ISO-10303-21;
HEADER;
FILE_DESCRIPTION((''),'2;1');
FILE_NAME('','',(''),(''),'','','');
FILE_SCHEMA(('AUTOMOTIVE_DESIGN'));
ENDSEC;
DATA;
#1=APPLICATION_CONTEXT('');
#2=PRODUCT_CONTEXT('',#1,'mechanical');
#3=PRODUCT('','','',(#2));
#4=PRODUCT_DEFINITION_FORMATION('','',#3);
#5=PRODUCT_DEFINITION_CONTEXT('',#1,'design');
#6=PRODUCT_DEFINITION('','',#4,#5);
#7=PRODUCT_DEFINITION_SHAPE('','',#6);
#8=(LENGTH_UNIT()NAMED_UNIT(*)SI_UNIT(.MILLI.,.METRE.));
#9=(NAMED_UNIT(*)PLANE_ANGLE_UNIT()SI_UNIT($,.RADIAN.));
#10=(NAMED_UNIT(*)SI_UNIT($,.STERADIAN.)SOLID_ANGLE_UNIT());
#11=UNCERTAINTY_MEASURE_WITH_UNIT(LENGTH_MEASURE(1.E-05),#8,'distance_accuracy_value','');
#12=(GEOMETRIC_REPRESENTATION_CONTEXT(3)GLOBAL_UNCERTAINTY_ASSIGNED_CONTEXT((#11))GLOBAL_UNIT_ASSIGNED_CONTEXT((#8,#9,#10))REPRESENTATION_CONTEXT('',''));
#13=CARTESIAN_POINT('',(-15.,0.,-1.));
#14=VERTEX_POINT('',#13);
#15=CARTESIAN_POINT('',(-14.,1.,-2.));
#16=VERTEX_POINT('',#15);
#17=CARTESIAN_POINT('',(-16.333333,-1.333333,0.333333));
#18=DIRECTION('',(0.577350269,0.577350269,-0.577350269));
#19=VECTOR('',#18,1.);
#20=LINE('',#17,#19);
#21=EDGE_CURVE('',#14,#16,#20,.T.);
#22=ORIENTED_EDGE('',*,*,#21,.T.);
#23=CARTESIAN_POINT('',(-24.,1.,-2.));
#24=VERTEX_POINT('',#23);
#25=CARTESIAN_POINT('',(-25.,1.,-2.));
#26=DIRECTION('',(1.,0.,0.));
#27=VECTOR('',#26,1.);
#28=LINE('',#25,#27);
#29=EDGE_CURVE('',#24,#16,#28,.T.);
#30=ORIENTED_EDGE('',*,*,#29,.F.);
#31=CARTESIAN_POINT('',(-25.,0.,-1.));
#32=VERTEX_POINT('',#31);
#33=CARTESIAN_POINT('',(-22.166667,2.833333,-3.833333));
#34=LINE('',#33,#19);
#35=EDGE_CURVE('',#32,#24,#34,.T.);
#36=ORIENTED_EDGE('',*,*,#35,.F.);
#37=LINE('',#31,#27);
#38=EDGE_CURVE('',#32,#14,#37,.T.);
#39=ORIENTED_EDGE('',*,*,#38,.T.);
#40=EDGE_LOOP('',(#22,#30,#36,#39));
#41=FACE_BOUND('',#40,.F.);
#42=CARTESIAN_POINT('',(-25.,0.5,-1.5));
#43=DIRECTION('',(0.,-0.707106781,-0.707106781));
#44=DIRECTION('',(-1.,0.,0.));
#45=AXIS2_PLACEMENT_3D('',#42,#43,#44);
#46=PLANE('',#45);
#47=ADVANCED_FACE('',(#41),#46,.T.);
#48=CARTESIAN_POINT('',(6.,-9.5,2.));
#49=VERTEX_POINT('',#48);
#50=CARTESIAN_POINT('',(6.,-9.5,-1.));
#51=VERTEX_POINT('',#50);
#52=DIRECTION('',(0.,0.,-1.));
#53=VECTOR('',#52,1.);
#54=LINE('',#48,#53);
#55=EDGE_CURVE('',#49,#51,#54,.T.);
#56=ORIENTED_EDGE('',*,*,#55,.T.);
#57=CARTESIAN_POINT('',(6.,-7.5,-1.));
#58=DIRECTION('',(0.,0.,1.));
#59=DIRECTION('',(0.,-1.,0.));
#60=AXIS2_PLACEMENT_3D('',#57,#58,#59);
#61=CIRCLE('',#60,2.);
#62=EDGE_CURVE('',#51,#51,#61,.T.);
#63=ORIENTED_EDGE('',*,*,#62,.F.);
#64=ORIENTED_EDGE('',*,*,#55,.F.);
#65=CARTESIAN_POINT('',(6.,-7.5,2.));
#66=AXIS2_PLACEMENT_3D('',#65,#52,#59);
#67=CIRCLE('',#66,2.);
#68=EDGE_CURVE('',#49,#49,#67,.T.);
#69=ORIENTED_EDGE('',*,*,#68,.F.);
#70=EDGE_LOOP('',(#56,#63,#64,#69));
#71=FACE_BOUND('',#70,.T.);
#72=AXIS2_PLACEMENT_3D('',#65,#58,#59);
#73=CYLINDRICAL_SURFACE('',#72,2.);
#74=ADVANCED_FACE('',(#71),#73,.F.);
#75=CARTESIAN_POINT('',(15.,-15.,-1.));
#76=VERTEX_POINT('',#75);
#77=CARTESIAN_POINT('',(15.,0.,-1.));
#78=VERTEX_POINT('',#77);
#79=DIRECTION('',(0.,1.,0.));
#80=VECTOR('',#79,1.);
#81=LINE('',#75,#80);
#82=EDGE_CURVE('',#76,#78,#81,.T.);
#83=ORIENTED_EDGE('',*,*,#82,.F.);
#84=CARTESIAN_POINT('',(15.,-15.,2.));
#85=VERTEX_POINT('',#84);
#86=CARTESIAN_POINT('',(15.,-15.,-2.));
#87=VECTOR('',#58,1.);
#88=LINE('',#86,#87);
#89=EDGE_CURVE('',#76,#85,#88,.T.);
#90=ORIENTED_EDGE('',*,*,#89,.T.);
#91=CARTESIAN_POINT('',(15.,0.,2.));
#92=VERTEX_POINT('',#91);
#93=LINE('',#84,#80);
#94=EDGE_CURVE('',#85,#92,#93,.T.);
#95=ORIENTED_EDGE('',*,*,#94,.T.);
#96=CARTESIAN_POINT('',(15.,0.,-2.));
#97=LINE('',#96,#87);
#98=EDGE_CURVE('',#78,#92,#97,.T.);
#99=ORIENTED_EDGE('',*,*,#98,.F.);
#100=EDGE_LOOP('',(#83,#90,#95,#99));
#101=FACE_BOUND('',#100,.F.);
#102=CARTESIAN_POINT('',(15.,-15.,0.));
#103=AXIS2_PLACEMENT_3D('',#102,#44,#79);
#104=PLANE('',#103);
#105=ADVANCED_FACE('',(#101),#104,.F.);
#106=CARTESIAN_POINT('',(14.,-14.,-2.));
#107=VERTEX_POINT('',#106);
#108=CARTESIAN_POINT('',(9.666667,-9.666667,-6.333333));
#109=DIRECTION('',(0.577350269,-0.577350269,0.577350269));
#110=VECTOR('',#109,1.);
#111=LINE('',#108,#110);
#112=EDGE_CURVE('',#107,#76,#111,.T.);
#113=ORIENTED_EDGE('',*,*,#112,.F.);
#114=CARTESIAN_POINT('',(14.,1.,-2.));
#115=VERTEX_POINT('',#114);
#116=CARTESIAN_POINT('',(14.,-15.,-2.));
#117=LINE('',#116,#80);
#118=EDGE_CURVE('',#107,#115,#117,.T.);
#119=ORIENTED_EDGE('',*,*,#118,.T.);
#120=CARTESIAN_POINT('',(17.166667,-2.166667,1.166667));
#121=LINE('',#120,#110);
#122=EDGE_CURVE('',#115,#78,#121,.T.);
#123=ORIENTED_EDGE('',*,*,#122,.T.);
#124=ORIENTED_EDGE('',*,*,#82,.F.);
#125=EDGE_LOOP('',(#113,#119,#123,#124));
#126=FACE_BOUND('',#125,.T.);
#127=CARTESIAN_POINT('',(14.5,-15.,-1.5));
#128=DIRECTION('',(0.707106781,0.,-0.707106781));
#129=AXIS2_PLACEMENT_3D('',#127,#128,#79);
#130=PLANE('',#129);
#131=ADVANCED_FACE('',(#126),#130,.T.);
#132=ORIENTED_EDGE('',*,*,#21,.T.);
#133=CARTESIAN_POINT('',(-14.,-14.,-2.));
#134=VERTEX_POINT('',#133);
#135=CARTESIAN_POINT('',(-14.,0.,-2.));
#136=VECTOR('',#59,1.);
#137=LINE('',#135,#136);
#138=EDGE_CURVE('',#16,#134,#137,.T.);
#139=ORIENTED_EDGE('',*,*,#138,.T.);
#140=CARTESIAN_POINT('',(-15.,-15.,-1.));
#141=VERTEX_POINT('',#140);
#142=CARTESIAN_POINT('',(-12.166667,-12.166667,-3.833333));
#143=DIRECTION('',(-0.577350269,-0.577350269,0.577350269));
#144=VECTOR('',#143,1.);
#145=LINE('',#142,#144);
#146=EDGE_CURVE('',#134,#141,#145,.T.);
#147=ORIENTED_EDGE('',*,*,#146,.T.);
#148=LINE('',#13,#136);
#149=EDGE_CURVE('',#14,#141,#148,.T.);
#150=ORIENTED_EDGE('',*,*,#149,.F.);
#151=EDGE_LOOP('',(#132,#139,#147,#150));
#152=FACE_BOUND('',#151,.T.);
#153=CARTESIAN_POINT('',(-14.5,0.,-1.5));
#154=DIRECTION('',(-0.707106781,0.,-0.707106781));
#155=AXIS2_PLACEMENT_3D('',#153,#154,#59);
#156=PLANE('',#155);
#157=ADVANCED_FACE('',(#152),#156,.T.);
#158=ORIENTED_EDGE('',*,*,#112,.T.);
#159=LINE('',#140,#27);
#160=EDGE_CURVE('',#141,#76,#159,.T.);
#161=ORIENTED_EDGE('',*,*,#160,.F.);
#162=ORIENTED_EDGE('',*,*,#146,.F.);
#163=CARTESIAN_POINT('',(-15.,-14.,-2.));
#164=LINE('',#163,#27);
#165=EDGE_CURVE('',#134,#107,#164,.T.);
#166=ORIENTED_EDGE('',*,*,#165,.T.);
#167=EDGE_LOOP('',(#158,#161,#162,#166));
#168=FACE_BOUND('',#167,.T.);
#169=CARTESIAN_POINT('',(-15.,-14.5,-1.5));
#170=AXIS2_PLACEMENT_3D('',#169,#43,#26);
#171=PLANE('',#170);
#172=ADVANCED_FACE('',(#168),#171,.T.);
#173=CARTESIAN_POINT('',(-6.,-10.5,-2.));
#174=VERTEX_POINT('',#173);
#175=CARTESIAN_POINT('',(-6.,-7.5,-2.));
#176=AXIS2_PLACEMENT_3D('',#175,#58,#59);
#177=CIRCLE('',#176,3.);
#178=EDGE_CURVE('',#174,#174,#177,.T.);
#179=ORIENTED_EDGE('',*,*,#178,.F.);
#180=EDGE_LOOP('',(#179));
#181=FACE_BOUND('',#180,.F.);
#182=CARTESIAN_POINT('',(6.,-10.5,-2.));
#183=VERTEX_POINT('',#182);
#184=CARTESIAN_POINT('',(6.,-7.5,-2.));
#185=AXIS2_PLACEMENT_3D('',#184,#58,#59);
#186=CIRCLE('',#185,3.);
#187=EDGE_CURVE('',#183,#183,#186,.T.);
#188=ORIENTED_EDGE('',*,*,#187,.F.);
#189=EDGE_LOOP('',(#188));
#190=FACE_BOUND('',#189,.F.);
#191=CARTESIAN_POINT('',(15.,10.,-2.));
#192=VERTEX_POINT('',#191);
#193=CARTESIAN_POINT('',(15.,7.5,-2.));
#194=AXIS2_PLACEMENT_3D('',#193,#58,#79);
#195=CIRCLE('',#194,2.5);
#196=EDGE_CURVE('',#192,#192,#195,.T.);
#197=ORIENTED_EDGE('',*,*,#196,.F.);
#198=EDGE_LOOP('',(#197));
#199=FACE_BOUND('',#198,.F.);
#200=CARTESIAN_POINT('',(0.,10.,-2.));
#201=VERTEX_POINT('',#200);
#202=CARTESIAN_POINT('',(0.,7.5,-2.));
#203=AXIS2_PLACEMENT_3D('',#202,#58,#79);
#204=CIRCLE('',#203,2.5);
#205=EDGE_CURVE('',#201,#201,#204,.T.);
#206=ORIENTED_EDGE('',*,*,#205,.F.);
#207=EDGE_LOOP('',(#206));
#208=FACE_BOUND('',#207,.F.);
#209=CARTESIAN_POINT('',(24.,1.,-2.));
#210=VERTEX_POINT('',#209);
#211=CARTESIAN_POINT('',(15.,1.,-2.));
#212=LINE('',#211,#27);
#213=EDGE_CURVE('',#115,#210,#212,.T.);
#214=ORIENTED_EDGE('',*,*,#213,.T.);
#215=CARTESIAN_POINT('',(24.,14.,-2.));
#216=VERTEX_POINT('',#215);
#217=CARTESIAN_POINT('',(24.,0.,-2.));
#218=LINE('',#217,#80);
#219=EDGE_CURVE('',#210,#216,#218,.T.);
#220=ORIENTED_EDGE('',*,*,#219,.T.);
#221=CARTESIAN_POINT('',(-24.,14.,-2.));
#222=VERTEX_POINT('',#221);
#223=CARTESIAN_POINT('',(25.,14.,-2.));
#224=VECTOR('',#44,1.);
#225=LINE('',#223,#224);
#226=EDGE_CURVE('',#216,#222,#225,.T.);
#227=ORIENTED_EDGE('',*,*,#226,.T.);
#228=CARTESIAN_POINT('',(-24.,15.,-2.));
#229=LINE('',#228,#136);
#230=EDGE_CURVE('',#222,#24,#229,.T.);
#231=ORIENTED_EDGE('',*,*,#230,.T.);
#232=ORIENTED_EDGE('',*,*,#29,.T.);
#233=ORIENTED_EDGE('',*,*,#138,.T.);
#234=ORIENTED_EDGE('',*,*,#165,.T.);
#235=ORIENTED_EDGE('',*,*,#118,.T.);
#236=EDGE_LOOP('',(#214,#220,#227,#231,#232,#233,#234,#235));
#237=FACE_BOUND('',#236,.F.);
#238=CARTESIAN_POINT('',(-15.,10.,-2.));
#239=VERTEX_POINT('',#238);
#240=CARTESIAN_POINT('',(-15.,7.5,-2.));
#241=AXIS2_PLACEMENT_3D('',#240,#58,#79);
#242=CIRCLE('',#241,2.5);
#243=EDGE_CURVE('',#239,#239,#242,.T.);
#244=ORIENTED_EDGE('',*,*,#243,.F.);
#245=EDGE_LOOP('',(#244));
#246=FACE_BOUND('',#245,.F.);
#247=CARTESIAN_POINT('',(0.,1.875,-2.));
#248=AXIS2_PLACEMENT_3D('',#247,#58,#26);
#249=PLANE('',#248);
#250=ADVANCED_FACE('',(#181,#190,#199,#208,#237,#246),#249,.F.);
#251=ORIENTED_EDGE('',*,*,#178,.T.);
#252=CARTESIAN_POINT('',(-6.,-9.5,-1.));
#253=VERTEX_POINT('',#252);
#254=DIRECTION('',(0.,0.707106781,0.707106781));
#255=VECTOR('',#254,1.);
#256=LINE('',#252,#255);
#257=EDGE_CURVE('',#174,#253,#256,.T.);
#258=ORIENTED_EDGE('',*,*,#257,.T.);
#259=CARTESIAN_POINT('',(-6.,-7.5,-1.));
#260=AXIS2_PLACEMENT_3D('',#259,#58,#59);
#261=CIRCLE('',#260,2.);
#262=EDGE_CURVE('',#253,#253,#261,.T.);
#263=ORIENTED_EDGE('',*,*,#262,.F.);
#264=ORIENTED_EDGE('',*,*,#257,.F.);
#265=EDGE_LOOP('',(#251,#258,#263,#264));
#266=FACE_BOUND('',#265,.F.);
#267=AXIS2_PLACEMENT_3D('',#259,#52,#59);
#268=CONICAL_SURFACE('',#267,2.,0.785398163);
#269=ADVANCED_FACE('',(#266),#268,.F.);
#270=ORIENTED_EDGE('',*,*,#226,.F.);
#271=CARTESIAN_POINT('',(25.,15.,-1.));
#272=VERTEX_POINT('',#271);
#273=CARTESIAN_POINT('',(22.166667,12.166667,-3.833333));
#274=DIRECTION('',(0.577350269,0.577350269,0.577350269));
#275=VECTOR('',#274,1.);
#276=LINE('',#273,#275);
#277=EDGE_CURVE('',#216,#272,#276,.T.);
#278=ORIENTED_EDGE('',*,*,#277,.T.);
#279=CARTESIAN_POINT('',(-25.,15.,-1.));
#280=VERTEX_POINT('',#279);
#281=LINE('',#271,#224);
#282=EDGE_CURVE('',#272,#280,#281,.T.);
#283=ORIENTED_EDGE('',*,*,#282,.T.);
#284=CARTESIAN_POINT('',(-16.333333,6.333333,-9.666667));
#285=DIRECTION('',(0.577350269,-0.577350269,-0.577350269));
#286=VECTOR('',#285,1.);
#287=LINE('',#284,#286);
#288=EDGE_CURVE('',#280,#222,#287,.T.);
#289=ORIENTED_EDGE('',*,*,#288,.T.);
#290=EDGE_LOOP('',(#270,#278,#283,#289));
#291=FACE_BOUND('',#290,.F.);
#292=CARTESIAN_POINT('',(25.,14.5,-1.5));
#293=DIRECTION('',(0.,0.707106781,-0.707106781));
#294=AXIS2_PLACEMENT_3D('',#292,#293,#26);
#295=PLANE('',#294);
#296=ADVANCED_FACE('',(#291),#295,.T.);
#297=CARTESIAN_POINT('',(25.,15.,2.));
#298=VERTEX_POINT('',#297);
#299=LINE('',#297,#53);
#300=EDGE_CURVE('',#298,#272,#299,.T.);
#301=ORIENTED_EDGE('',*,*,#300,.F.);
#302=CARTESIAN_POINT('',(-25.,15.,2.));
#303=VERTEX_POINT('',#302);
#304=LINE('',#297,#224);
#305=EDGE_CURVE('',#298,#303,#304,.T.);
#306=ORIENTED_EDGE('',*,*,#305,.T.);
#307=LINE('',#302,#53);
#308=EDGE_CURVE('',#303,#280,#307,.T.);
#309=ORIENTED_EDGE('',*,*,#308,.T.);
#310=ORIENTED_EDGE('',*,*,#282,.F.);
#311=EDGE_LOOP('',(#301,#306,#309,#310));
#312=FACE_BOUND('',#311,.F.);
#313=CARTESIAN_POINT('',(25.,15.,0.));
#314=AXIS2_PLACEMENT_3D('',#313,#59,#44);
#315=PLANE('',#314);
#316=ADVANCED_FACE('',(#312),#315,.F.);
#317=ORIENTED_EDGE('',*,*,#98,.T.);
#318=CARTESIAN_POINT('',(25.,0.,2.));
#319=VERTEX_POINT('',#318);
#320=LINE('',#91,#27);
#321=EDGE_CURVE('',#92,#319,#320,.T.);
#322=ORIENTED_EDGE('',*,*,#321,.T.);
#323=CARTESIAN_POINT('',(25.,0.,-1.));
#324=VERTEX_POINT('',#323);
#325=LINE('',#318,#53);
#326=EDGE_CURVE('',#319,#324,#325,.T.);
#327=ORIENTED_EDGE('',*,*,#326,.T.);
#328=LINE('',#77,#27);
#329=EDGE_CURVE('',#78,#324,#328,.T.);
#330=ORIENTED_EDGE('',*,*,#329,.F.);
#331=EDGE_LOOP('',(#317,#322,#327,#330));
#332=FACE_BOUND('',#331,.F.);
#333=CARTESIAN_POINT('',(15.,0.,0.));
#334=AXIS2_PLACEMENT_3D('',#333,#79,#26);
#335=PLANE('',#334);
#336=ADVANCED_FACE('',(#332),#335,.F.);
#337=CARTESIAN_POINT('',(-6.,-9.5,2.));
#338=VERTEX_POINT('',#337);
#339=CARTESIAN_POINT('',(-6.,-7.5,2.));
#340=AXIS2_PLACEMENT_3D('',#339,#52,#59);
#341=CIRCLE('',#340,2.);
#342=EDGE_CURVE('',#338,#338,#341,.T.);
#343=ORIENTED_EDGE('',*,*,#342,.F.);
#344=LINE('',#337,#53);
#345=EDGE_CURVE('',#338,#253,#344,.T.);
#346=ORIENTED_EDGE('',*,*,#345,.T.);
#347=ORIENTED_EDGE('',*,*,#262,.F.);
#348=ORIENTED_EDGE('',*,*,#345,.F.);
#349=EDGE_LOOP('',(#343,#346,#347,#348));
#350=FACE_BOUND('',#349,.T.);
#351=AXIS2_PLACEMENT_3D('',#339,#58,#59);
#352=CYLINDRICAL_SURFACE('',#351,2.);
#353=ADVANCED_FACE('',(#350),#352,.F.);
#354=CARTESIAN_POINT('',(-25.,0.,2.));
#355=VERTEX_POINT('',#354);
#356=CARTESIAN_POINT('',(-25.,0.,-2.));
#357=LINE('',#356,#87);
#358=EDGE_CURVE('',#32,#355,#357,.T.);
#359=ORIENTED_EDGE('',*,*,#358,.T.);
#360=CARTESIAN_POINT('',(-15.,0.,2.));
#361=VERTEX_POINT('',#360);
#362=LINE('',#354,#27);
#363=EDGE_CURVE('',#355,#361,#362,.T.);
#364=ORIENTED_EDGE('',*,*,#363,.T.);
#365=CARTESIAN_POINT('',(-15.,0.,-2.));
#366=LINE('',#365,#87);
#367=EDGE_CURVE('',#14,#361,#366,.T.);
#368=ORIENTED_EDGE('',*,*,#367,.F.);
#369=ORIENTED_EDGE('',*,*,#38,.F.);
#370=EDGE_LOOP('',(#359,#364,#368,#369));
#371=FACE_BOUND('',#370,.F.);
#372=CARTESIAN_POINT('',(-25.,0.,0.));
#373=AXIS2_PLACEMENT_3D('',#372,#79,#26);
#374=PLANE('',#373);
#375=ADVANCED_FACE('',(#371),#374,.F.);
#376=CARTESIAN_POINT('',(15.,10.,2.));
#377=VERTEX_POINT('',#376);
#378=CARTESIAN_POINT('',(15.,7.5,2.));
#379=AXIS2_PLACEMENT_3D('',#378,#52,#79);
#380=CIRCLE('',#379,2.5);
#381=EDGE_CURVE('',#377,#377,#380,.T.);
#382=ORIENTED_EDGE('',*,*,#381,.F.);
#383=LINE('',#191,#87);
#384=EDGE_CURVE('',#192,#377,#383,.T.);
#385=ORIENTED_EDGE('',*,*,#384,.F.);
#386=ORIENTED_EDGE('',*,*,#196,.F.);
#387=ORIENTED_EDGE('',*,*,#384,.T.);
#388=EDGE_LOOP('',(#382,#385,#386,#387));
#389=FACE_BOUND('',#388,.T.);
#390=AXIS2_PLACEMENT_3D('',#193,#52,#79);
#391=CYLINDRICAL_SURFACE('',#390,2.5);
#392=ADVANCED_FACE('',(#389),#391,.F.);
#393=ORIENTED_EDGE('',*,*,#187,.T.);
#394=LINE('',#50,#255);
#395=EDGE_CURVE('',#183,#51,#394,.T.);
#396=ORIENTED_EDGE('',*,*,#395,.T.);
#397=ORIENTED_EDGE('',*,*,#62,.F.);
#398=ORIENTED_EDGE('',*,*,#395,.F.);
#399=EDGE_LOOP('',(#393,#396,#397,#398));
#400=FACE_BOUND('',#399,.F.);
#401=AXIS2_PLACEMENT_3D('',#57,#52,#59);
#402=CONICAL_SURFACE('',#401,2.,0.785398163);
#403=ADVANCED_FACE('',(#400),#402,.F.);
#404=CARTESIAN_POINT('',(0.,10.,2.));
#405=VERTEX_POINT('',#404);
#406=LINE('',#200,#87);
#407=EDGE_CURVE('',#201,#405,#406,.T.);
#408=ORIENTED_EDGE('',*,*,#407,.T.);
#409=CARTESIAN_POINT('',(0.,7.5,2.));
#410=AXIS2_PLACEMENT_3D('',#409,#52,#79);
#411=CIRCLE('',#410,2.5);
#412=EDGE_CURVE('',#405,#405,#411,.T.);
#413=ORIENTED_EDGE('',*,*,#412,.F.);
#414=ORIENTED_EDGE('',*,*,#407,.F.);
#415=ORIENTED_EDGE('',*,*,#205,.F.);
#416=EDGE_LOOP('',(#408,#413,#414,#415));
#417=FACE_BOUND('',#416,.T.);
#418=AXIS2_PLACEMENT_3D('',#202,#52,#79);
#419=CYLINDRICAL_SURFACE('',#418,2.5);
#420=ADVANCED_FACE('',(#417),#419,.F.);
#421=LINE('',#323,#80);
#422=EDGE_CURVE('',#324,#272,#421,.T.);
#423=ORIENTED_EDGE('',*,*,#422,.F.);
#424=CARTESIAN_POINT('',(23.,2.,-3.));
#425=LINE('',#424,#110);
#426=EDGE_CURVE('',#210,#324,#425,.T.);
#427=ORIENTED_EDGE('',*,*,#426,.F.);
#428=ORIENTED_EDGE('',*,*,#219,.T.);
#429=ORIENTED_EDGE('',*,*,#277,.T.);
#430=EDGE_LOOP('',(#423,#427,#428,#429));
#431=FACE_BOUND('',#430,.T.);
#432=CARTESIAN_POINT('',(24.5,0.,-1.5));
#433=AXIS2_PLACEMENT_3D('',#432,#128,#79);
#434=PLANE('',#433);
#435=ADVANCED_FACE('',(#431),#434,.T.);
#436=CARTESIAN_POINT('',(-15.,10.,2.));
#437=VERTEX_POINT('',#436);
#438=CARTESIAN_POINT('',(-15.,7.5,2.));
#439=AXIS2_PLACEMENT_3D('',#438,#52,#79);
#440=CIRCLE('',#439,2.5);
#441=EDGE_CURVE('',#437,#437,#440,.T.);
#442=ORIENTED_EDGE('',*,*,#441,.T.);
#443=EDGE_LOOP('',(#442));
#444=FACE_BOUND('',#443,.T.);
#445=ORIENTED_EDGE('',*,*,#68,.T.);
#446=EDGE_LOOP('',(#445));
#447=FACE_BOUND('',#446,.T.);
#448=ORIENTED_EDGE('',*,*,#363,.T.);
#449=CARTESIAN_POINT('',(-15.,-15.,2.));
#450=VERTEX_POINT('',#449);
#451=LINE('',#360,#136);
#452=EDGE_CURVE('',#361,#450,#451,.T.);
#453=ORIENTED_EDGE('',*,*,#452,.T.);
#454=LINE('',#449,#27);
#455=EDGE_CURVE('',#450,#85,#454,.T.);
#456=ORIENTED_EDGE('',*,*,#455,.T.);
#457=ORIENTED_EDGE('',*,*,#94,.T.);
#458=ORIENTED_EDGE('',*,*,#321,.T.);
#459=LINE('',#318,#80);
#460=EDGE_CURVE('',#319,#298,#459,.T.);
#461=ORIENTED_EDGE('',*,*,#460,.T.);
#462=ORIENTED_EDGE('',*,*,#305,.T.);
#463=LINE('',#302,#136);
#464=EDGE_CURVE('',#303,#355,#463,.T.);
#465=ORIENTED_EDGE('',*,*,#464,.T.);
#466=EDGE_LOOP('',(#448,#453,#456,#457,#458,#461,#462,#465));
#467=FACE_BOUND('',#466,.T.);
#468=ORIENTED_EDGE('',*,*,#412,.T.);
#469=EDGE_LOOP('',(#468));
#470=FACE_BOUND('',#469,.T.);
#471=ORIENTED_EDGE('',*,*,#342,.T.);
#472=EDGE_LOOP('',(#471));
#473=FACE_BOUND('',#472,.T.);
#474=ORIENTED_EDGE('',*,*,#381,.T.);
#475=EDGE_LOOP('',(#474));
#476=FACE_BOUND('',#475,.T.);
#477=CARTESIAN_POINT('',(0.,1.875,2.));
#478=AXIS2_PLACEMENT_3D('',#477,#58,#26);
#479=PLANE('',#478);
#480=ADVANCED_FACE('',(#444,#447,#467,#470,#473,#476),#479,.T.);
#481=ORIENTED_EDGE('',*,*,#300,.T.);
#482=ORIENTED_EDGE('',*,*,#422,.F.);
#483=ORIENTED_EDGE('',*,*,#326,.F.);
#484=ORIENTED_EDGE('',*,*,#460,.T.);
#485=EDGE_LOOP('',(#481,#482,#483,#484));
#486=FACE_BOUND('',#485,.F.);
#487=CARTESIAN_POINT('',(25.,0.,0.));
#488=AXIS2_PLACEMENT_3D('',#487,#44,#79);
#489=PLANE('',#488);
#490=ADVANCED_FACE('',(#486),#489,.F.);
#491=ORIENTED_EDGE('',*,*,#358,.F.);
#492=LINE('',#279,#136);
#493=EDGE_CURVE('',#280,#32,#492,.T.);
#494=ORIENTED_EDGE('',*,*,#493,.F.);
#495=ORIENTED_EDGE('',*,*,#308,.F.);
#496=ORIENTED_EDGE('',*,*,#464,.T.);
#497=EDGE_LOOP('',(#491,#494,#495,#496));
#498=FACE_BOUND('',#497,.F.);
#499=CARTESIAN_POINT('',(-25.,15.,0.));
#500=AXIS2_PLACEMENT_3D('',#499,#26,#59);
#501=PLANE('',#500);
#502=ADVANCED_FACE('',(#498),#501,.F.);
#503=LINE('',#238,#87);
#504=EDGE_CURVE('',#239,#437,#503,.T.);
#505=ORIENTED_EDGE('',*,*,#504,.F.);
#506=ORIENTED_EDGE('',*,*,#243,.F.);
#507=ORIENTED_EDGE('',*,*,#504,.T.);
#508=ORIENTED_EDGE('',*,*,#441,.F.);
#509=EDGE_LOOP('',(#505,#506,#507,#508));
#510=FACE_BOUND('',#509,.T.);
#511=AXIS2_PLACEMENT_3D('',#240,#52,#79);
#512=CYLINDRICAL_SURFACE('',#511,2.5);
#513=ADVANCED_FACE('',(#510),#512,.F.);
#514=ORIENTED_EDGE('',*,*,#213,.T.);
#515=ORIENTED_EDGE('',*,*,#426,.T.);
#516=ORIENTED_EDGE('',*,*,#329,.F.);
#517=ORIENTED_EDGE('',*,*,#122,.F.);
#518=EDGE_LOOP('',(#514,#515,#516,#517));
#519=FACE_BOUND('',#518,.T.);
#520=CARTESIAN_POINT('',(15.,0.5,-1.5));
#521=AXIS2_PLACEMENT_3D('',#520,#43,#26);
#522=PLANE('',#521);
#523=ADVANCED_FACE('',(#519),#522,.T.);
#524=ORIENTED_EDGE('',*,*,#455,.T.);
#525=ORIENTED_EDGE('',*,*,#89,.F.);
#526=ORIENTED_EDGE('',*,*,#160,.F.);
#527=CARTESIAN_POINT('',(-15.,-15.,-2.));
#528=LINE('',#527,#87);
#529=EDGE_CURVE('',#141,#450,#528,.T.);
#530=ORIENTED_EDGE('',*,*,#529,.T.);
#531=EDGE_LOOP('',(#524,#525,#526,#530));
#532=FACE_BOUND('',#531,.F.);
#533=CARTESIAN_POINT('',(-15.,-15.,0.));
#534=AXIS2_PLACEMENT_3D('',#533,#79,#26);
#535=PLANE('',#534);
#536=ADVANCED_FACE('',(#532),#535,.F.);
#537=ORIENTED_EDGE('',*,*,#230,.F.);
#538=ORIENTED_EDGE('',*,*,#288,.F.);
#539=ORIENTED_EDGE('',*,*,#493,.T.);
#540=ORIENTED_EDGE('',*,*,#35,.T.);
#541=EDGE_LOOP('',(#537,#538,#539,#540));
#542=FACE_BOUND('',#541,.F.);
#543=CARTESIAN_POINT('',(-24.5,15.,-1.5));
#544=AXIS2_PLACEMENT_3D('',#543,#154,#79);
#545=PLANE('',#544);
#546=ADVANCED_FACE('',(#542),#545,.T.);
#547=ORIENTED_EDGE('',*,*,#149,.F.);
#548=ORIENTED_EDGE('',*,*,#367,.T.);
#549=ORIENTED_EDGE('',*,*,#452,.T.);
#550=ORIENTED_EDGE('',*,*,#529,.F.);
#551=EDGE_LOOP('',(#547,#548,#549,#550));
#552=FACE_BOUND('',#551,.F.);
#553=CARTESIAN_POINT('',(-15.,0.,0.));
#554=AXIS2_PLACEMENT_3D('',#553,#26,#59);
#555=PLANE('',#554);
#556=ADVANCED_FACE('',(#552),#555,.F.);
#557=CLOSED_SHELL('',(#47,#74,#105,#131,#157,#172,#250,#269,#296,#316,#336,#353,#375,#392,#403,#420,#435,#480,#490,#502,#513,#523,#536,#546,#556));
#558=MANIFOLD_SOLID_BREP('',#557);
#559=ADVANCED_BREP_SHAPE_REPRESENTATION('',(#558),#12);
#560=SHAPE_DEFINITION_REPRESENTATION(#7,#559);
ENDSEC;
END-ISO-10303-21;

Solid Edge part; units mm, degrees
sketch "Sketch1" plane through (0, 0, 0) normal (0, 0, 1) x (1, 0, 0)
  line L0 (-25, 15) -> (-25, 0)
  line L1 (-25, 0) -> (-15, 0)
  line L2 (-15, 0) -> (-15, -15)
  line L3 (-15, -15) -> (15, -15)
  line L4 (15, -15) -> (15, 0)
  line L5 (15, 0) -> (25, 0)
  line L6 (25, 0) -> (25, 15)
  line L7 (25, 15) -> (-25, 15)
  dimension "D1" = 50
  dimension "D2" = 30
  dimension "D3" = 30
  dimension "D4" = 15
extrude "Protrusion1" add sketch "Sketch1" along normal mid plane 4
hole "Hole_1" at (-6, -7.5, 2) direction (0, 0, -1) diameter 4 end up to next
hole "Hole1" at (6, -7.5, 2) direction (0, 0, -1) diameter 4 end up to next
chamfer "Chamfer_1" distance 1 angle 45 10 edges at (-25, 7.5, -2) (-20, 0, -2) (-15, -7.5, -2) (0, -15, -2) (15, -7.5, -2) (20, 0, -2) (25, 7.5, -2) (0, 15, -2) (-8, -7.5, -2) (4, -7.5, -2)
hole "Hole_3" at (-15, 7.5, -2) direction (0, 0, 1) diameter 5 end up to next
hole "Hole2" at (15, 7.5, -2) direction (0, 0, 1) diameter 5 end up to next
hole "Hole3" at (0, 7.5, -2) direction (0, 0, 1) diameter 5 end up to next
